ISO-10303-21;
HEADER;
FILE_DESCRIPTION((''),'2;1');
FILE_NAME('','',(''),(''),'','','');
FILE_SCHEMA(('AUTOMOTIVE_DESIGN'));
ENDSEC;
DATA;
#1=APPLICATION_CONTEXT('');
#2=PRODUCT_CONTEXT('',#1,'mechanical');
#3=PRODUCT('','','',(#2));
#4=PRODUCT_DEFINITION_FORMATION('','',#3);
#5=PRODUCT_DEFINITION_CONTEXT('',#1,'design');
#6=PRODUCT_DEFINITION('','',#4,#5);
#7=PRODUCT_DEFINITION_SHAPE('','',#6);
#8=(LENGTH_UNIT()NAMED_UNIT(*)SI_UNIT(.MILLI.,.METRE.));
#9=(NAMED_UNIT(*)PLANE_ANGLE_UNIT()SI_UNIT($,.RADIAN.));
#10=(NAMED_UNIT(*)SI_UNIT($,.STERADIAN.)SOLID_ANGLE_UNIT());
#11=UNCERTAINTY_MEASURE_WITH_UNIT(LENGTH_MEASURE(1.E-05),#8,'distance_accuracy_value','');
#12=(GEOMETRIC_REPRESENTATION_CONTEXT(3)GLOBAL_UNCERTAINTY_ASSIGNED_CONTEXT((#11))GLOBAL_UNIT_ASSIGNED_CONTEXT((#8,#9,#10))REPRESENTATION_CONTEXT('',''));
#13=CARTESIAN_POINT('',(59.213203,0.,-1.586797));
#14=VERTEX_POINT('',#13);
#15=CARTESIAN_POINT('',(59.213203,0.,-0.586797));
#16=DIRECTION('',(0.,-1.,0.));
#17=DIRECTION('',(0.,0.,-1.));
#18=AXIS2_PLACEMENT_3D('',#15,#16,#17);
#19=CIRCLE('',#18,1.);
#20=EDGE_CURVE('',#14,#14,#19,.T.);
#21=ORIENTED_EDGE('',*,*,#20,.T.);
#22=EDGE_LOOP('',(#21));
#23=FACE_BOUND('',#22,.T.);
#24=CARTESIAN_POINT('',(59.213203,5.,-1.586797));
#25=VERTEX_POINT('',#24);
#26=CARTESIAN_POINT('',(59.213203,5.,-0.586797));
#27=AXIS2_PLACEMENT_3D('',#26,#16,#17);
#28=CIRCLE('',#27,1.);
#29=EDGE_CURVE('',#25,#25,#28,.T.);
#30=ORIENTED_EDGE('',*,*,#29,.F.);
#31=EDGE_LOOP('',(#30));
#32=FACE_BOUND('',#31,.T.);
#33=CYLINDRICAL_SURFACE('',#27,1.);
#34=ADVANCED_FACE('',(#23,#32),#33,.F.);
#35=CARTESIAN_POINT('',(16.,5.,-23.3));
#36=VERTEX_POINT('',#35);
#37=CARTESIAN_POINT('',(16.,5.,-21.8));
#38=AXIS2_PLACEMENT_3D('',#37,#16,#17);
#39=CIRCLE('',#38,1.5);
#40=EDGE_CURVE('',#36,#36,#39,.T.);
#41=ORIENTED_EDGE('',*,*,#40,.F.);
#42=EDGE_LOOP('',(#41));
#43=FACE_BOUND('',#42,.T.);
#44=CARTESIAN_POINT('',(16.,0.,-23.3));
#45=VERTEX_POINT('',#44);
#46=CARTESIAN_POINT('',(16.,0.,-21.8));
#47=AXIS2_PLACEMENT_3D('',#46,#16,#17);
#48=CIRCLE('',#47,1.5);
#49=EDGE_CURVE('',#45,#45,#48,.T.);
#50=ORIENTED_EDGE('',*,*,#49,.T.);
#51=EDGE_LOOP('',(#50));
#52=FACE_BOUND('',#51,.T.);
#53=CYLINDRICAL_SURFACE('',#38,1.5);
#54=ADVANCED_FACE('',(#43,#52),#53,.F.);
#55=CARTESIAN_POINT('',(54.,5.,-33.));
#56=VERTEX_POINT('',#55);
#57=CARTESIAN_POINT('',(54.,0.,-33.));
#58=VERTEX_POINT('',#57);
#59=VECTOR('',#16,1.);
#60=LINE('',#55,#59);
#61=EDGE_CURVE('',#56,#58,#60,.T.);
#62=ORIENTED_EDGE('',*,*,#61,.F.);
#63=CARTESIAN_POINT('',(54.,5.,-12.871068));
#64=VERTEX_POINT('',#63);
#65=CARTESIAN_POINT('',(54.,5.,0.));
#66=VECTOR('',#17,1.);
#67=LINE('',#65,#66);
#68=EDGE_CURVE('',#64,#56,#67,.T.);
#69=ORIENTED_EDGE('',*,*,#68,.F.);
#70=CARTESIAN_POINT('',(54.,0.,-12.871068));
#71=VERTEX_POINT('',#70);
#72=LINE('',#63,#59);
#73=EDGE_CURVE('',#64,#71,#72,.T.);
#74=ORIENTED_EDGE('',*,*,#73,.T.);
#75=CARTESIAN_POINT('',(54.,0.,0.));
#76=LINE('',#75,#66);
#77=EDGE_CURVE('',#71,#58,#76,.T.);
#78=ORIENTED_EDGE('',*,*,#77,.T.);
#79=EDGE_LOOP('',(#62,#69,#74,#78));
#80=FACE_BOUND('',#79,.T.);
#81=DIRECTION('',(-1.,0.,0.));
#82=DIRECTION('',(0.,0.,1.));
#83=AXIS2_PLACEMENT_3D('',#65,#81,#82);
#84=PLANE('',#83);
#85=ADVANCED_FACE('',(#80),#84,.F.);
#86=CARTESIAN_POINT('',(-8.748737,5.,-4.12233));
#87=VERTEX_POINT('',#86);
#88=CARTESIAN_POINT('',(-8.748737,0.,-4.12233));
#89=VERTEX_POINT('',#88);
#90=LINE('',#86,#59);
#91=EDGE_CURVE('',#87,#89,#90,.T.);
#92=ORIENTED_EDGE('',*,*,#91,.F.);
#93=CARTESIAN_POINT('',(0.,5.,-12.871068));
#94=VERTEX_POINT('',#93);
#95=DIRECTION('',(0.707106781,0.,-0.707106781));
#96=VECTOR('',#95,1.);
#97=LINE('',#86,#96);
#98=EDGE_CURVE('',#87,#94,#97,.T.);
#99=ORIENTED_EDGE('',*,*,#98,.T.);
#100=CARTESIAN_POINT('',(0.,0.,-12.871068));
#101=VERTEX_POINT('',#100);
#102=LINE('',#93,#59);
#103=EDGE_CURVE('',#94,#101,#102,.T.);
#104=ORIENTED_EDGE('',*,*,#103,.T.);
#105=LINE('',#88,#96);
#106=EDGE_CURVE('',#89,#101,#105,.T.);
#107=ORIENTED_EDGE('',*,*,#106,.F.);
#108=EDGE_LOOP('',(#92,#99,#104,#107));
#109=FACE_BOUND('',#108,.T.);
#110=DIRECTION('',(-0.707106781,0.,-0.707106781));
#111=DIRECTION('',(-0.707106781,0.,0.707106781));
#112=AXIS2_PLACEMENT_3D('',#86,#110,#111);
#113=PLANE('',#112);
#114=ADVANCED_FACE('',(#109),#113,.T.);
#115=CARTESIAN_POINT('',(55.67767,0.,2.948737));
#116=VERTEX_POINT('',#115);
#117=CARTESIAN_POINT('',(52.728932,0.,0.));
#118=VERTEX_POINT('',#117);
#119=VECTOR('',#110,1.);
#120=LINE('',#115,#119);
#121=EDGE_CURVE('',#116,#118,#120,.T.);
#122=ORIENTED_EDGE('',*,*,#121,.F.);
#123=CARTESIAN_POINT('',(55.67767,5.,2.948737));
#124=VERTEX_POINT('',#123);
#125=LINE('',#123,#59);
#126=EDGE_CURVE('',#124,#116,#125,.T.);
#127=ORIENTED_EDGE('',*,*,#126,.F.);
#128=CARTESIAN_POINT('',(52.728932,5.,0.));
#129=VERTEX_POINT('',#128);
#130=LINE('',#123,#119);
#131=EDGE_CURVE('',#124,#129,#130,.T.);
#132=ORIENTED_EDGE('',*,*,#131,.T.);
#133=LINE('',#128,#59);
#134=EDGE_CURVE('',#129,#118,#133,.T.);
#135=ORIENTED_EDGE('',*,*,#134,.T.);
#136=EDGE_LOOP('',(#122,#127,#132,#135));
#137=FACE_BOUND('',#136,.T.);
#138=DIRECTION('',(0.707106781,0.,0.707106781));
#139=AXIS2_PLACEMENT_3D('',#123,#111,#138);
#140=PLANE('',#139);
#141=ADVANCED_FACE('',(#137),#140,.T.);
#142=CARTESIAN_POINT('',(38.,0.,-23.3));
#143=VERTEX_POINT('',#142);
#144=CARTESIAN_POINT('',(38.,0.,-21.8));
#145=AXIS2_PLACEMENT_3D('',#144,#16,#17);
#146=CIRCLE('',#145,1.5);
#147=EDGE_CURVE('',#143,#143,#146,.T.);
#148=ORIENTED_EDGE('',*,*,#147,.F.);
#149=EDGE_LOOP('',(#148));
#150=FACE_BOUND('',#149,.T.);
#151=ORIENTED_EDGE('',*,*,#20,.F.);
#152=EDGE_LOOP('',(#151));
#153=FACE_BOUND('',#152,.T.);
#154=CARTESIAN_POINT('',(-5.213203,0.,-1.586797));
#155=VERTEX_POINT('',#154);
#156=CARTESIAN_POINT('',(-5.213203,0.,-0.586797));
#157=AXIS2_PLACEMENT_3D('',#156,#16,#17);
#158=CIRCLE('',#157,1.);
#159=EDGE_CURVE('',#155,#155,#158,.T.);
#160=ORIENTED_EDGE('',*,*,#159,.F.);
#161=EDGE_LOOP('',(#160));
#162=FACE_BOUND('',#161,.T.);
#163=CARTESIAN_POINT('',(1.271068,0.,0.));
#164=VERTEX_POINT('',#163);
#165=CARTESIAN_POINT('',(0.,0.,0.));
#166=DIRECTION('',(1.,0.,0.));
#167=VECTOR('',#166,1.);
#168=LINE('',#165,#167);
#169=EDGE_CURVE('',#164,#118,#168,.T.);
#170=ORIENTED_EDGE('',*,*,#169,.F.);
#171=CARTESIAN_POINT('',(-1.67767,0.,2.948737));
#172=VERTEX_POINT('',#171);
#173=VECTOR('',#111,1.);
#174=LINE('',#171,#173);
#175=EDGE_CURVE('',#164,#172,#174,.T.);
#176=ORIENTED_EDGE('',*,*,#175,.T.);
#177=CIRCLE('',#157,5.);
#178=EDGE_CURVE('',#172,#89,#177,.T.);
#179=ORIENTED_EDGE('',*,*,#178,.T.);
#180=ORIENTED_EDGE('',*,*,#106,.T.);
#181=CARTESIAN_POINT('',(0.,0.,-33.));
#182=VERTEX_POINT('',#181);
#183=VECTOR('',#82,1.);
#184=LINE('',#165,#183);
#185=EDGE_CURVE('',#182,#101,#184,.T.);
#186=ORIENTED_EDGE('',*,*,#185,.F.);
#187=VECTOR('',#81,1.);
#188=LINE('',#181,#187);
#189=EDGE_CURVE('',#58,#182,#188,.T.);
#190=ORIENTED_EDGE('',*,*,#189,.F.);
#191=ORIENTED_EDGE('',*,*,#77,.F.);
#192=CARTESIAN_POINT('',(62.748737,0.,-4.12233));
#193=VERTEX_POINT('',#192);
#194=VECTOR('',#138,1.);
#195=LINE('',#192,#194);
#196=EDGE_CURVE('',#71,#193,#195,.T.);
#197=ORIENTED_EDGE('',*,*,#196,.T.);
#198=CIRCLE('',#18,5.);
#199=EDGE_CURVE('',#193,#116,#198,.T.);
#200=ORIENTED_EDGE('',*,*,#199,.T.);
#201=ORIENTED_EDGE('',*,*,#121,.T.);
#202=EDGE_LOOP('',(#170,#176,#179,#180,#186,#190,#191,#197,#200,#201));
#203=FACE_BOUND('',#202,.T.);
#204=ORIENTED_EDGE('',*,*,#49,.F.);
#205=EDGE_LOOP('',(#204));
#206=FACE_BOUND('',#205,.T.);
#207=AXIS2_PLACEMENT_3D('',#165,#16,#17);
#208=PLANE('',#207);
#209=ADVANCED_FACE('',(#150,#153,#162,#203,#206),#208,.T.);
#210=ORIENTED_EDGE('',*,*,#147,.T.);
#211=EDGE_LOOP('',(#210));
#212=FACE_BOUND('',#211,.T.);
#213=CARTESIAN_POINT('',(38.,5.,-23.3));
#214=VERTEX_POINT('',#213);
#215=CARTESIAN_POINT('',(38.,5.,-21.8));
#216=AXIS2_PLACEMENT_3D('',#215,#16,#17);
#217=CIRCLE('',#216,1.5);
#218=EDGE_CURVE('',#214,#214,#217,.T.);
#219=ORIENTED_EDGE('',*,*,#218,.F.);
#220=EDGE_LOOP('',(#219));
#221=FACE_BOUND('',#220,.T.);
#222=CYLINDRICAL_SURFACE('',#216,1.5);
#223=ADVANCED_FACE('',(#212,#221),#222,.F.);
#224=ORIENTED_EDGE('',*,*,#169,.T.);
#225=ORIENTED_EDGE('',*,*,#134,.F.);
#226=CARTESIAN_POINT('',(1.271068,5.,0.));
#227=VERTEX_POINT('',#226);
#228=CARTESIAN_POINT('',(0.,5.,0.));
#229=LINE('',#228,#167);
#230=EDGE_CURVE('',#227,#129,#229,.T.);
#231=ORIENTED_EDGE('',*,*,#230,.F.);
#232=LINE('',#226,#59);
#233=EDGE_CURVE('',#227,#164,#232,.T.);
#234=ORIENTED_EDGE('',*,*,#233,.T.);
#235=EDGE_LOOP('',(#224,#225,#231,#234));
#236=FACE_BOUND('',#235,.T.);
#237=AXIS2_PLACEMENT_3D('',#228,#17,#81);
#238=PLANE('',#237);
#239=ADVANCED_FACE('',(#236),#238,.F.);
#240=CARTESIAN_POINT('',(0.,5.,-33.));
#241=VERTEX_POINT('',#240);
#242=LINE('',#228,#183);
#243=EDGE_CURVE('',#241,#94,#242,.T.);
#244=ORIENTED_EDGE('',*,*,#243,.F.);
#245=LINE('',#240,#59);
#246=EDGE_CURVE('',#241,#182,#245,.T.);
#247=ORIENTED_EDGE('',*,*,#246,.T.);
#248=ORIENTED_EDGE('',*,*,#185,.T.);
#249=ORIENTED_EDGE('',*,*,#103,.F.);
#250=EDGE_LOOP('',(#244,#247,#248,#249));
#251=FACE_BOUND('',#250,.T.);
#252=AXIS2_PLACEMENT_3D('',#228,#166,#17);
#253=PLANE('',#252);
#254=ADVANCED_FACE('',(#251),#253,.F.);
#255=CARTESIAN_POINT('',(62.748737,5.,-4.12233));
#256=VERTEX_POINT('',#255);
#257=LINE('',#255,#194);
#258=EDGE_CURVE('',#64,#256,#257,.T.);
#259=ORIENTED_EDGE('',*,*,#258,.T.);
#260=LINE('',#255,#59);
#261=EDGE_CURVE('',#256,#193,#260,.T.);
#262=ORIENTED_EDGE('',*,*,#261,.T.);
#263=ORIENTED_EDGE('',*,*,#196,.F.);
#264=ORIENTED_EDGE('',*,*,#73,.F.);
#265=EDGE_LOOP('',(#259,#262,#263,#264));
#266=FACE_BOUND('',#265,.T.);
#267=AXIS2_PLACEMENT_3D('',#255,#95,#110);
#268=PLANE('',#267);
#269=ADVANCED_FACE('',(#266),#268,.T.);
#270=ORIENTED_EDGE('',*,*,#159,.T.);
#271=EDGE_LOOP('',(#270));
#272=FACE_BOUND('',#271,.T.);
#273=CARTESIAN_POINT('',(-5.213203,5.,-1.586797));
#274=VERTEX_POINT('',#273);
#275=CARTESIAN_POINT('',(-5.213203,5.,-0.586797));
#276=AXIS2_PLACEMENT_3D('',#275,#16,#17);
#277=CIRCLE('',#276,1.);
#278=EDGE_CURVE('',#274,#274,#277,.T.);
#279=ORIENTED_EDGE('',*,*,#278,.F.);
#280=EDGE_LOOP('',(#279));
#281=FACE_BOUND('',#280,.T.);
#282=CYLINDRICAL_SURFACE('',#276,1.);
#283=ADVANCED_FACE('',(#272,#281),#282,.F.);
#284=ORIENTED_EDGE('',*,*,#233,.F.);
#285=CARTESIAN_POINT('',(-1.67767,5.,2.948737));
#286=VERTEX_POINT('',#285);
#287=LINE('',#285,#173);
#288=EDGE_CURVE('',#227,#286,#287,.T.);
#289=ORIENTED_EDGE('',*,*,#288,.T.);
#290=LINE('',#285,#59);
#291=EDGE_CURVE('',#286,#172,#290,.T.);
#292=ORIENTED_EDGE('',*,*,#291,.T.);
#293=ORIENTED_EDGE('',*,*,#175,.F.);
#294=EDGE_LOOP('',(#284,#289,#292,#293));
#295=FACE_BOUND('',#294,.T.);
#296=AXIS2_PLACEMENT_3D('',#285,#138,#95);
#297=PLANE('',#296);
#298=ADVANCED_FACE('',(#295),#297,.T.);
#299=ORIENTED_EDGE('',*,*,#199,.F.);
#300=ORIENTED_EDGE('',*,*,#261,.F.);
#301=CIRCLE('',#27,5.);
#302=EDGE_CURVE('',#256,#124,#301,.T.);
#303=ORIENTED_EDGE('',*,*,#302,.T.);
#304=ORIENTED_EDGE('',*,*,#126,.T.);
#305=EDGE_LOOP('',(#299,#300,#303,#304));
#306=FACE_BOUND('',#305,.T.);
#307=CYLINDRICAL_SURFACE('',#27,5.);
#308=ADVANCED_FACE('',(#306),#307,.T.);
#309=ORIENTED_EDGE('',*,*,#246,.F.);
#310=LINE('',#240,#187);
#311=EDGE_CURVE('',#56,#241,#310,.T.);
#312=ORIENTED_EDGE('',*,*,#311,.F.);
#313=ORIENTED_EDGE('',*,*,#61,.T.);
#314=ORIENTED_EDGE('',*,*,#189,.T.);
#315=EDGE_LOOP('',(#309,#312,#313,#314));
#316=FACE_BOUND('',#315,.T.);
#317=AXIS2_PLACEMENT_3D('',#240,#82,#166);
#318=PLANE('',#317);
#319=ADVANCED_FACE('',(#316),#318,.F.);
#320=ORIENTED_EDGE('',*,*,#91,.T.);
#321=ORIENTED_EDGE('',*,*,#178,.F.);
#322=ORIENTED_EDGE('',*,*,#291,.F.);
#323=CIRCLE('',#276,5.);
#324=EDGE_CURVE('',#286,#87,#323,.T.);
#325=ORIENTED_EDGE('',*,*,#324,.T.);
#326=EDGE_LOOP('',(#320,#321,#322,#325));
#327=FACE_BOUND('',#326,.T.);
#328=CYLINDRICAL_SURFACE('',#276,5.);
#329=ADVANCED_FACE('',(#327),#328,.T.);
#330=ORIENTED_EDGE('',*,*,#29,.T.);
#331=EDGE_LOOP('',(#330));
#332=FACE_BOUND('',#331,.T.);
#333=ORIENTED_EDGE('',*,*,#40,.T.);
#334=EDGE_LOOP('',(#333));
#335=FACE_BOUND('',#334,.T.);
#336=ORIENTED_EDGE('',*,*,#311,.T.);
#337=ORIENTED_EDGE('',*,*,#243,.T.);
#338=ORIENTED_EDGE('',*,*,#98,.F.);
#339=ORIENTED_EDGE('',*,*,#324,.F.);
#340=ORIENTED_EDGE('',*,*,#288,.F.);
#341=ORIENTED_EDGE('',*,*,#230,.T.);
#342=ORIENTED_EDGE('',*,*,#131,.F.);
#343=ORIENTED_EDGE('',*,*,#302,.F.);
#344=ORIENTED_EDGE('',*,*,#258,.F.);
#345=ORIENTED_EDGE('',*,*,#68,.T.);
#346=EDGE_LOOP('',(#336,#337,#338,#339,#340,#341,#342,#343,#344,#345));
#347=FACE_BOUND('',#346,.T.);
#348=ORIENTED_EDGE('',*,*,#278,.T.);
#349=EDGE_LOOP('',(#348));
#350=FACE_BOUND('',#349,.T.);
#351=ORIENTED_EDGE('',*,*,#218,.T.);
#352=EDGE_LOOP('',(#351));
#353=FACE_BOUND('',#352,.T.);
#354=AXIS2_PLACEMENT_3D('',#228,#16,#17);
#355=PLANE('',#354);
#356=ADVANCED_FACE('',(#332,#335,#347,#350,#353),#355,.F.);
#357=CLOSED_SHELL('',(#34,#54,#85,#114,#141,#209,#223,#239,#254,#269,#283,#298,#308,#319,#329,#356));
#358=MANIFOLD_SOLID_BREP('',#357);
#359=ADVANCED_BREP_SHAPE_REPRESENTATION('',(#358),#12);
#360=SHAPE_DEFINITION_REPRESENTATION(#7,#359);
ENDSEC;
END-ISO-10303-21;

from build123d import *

# Parameters (mm, degrees)
SKETCH1_W           = 54
SKETCH1_H           = 33
BOSS_EXTRUDE1_DEPTH = 5
SKETCH4_R           = 1
BOSS_EXTRUDE2_DEPTH = 5
SKETCH6_R           = 1.5
CUT_EXTRUDE1_DEPTH  = 5


with BuildPart() as part:
    # Sketch1 → Boss-Extrude1 (new body)
    with BuildSketch(Plane(origin=(0, 0, 0), x_dir=(1, 0, 0), z_dir=(0, 1, 0))):
        with Locations((27, 16.5)):
            Rectangle(SKETCH1_W, SKETCH1_H)
    extrude(amount=BOSS_EXTRUDE1_DEPTH)

    # Sketch4 → Boss-Extrude2 (add)
    # profile 1 of 2: a face of its own
    with BuildSketch(Plane.XZ):
        with BuildLine():
            Line((62.748737342, -4.12233047), (54, -12.871067812))
            Line((54, -12.871067812), (54, 0))
            Line((54, 0), (52.728932188, 0))
            Line((52.728932188, 0), (55.67766953, 2.948737342))
            ThreePointArc((55.67766953, 2.948737342), (62.748737342, 2.948737342), (62.748737342, -4.12233047))
        make_face()
        with Locations(Location((59.213203436, -0.586796564, 0), (0, 0, 270))):
            Circle(SKETCH4_R, mode=Mode.SUBTRACT)
    # profile 2 of 2: a face of its own
    with BuildSketch(Plane.XZ):
        with BuildLine():
            Line((-8.748737342, -4.12233047), (0, -12.871067812))
            Line((0, -12.871067812), (0, 0))
            Line((0, 0), (1.271067812, 0))
            Line((1.271067812, 0), (-1.67766953, 2.948737342))
            ThreePointArc((-1.67766953, 2.948737342), (-8.748737342, 2.948737342), (-8.748737342, -4.12233047))
        make_face()
        with Locations(Location((-5.213203436, -0.586796564, 0), (0, 0, 270))):
            Circle(SKETCH4_R, mode=Mode.SUBTRACT)
    extrude(amount=-BOSS_EXTRUDE2_DEPTH)

    # Sketch6 → Cut-Extrude1 (cut)
    with BuildSketch(Plane.XZ):
        with Locations(Location((38, -21.8, 0), (0, 0, 270))):
            Circle(SKETCH6_R)
        with Locations(Location((16, -21.8, 0), (0, 0, 270))):
            Circle(SKETCH6_R)
    extrude(amount=-CUT_EXTRUDE1_DEPTH, mode=Mode.SUBTRACT)


solid = part.part
